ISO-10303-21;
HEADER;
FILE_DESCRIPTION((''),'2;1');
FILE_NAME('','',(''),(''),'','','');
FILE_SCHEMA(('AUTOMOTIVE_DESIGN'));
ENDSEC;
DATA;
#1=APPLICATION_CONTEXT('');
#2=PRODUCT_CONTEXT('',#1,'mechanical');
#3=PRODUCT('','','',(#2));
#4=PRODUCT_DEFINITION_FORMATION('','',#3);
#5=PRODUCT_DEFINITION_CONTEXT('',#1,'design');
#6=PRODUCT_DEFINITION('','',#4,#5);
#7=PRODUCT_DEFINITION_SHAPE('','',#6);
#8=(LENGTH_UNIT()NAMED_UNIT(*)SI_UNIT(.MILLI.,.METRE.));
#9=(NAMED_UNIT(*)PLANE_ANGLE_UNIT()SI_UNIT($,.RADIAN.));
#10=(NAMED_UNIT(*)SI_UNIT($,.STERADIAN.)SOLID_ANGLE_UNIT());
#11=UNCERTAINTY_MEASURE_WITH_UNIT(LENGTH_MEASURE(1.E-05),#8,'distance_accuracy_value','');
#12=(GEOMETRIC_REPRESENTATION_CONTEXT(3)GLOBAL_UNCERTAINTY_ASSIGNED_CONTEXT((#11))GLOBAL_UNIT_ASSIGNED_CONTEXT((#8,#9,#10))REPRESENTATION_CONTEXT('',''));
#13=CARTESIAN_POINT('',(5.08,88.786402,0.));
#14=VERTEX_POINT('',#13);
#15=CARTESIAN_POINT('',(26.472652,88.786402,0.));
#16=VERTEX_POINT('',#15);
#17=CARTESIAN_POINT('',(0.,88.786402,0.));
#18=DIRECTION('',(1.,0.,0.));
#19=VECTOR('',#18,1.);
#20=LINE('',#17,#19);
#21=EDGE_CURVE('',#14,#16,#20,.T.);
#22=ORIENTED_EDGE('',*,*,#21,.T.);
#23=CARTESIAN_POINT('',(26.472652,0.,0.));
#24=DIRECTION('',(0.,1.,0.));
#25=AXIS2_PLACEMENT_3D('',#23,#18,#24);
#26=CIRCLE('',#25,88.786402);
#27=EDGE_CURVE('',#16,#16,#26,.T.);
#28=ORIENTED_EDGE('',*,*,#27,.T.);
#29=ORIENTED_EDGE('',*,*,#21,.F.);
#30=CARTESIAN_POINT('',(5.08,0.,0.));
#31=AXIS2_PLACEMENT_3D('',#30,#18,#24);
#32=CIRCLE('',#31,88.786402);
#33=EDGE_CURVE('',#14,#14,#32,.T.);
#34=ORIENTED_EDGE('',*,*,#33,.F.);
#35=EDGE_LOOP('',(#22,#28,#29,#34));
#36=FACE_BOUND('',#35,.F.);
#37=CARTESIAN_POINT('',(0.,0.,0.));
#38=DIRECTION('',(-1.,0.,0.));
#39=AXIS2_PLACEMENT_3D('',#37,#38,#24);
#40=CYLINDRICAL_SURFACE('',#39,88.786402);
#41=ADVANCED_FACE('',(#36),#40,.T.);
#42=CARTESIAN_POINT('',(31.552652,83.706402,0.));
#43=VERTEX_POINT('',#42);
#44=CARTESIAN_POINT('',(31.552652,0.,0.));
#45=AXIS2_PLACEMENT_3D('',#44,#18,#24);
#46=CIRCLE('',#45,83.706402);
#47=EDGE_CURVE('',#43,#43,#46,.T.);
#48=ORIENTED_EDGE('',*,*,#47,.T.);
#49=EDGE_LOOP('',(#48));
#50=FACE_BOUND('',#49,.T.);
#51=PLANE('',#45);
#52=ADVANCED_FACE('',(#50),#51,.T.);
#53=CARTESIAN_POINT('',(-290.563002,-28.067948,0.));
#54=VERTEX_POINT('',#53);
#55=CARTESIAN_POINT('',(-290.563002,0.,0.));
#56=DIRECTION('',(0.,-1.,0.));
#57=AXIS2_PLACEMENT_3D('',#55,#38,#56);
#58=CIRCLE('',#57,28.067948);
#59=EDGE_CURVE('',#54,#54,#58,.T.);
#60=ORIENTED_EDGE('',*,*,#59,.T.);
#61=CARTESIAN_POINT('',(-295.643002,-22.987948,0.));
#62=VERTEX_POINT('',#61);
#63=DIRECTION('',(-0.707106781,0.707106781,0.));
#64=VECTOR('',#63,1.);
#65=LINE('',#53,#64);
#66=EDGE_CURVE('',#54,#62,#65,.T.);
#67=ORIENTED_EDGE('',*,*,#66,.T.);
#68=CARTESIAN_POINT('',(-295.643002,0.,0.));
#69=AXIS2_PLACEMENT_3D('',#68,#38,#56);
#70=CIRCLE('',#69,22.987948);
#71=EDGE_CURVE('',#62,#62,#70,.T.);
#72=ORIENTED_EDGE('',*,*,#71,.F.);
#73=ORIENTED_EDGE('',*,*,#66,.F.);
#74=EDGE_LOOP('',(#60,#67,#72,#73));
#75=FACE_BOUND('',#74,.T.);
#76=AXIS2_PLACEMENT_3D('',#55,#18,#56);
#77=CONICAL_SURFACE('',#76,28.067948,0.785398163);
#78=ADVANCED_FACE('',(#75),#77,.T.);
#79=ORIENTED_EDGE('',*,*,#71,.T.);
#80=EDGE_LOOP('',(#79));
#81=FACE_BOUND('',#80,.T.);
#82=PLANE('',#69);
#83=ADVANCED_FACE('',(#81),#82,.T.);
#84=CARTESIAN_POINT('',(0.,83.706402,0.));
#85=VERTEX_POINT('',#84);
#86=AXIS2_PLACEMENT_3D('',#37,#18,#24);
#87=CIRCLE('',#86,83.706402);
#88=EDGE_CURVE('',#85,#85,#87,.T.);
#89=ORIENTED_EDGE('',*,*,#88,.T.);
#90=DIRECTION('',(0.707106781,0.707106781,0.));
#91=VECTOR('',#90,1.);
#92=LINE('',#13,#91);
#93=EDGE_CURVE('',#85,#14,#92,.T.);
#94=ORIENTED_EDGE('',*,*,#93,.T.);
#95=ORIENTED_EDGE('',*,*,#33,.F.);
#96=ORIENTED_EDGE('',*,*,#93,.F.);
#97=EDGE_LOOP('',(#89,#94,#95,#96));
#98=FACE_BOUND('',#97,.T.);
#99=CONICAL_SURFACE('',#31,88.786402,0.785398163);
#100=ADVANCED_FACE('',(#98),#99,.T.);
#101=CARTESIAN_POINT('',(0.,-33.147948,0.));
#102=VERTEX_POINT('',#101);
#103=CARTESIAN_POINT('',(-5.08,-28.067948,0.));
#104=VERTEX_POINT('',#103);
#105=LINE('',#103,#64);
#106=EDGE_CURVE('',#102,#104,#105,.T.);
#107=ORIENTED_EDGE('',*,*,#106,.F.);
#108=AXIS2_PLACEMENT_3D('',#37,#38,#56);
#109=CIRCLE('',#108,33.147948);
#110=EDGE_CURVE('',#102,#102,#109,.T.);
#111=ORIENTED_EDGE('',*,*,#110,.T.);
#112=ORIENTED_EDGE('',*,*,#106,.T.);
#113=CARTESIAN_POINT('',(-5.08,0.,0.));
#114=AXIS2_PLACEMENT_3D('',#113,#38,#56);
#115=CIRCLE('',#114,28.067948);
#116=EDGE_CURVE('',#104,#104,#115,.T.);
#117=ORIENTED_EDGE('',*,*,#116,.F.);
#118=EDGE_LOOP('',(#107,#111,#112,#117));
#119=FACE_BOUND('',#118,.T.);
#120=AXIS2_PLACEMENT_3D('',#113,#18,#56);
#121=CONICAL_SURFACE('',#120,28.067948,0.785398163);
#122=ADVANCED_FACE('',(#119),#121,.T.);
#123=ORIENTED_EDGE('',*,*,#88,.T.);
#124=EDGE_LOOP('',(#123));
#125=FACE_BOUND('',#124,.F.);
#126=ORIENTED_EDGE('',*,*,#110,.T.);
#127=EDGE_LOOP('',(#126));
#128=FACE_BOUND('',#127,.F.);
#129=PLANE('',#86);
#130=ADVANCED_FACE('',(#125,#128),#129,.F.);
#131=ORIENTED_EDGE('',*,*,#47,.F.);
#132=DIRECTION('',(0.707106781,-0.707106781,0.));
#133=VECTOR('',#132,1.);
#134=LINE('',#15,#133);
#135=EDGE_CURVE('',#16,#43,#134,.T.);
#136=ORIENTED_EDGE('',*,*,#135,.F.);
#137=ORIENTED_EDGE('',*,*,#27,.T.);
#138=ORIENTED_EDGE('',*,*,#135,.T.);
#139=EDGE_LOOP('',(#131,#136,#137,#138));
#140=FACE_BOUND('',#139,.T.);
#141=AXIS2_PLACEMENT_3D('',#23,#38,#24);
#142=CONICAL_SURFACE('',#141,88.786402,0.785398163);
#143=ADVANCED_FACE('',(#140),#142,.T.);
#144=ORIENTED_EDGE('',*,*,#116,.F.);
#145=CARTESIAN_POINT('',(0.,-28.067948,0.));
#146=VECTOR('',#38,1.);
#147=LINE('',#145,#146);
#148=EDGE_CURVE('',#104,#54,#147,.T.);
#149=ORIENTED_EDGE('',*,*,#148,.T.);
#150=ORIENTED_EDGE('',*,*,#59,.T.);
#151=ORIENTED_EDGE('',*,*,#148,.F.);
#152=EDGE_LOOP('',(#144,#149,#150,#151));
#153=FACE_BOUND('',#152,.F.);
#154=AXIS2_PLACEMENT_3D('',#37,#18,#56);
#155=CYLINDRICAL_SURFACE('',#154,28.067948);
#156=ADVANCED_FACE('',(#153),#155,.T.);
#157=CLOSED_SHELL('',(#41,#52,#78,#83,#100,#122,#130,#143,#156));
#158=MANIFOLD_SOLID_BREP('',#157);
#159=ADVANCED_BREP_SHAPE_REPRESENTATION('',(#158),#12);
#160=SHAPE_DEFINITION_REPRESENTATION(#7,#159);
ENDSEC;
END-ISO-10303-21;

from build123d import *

# Parameters (mm, degrees)
F0_R     = 88.786402
F1_DEPTH = 31.552652
F2_R     = 28.067948
F3_DEPTH = 295.643002
F4_SIZE  = 5.08
F5_SIZE  = 5.08


with BuildPart() as f1:
    # F0 (on Right) → F1 (new body)
    with BuildSketch(Plane.YZ):
        Circle(F0_R)
    extrude(amount=F1_DEPTH)

    # F2 (on face) → F3 (join)
    with BuildSketch(Plane(origin=(0, 0, 0), x_dir=(0, -1, 0), z_dir=(-1, 0, 0))):
        Circle(F2_R)
    extrude(amount=F3_DEPTH)

    # F4
    f4_edges = [f1.edges().sort_by_distance(p)[0] for p in [
        (-147.821501, -28.067948, 0),
        (0, 28.067948, 0),
        (-295.643002, 28.067948, 0),
    ]]
    chamfer(f4_edges, length=F4_SIZE)

    # F5
    f5_edges = [f1.edges().sort_by_distance(p)[0] for p in [
        (31.552652, -88.786402, 0),
        (0, -88.786402, 0),
    ]]
    chamfer(f5_edges, length=F5_SIZE)


solid = f1.part
